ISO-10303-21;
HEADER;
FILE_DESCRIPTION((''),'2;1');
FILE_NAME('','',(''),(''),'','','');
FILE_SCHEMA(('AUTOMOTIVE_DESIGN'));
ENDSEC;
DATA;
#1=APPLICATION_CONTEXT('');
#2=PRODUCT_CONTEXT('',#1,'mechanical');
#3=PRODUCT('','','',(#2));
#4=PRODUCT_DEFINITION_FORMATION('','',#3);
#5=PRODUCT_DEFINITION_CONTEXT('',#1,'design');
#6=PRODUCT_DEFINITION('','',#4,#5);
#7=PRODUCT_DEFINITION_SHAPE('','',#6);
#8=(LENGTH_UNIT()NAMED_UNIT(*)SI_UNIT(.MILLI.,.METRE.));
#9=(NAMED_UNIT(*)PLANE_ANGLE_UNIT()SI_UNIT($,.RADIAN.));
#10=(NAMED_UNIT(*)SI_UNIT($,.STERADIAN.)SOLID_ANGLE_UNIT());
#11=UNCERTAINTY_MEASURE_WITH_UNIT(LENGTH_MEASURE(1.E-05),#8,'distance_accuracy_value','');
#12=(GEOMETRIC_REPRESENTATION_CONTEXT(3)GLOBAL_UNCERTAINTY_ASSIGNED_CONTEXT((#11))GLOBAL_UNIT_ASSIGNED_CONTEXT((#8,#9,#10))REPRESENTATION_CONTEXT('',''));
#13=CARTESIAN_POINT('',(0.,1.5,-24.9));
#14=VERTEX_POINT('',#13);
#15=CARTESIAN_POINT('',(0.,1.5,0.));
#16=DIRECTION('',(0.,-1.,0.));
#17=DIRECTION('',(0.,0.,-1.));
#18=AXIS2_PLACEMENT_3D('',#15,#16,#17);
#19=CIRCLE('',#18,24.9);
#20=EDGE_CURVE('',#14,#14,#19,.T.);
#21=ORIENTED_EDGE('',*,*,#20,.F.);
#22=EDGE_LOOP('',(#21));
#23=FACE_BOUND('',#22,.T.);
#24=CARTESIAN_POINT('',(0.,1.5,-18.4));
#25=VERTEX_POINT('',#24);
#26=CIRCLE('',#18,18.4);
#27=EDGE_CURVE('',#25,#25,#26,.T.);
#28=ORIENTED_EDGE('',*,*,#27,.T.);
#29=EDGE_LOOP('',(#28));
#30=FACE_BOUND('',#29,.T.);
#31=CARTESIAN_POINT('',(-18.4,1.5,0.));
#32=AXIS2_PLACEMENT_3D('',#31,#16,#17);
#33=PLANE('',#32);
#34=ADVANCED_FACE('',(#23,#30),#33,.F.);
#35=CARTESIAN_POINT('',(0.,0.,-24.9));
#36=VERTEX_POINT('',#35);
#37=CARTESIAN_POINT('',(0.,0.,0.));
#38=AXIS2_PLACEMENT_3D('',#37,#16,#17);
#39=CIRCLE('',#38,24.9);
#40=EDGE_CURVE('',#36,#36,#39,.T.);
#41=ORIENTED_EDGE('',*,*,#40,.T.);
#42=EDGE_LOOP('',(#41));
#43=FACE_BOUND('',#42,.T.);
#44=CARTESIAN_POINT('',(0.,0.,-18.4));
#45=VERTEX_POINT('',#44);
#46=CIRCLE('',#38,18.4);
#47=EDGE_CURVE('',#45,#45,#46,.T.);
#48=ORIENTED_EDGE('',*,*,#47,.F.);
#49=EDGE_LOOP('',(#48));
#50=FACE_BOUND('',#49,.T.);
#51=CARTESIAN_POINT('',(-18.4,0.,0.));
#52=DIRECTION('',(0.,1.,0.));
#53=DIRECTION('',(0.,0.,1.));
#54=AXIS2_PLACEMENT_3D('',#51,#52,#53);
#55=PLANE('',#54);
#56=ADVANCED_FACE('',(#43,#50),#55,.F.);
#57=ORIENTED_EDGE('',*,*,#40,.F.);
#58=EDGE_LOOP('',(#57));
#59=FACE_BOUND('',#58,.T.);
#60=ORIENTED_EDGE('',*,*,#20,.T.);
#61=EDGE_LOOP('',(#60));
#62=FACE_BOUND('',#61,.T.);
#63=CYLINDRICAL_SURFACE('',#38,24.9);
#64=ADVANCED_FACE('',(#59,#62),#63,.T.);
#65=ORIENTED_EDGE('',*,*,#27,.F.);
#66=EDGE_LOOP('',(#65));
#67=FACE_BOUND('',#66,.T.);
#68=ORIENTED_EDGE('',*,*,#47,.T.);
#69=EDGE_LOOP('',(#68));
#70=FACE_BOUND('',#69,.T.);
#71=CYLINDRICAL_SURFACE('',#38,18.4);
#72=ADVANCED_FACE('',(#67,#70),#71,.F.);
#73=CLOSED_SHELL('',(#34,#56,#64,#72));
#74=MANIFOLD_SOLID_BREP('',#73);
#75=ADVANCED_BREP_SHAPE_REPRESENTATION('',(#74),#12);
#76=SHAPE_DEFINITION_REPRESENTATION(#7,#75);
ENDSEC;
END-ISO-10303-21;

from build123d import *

# Parameters (mm, degrees)
SKETCH1_W = 6.5
SKETCH1_H = 1.5


with BuildPart() as part:
    # Sketch1 → Revolve1 (revolve)
    with BuildSketch(Plane.XY, mode=Mode.PRIVATE) as revolve1_sk:
        with Locations((-21.65, 0.75)):
            Rectangle(SKETCH1_W, SKETCH1_H)
    revolve(revolve1_sk.sketch.rotate(Axis((0, 0, 0), (0, 1, 0)), 270), axis=Axis((0, 0, 0), (0, 1, 0)))


solid = part.part
